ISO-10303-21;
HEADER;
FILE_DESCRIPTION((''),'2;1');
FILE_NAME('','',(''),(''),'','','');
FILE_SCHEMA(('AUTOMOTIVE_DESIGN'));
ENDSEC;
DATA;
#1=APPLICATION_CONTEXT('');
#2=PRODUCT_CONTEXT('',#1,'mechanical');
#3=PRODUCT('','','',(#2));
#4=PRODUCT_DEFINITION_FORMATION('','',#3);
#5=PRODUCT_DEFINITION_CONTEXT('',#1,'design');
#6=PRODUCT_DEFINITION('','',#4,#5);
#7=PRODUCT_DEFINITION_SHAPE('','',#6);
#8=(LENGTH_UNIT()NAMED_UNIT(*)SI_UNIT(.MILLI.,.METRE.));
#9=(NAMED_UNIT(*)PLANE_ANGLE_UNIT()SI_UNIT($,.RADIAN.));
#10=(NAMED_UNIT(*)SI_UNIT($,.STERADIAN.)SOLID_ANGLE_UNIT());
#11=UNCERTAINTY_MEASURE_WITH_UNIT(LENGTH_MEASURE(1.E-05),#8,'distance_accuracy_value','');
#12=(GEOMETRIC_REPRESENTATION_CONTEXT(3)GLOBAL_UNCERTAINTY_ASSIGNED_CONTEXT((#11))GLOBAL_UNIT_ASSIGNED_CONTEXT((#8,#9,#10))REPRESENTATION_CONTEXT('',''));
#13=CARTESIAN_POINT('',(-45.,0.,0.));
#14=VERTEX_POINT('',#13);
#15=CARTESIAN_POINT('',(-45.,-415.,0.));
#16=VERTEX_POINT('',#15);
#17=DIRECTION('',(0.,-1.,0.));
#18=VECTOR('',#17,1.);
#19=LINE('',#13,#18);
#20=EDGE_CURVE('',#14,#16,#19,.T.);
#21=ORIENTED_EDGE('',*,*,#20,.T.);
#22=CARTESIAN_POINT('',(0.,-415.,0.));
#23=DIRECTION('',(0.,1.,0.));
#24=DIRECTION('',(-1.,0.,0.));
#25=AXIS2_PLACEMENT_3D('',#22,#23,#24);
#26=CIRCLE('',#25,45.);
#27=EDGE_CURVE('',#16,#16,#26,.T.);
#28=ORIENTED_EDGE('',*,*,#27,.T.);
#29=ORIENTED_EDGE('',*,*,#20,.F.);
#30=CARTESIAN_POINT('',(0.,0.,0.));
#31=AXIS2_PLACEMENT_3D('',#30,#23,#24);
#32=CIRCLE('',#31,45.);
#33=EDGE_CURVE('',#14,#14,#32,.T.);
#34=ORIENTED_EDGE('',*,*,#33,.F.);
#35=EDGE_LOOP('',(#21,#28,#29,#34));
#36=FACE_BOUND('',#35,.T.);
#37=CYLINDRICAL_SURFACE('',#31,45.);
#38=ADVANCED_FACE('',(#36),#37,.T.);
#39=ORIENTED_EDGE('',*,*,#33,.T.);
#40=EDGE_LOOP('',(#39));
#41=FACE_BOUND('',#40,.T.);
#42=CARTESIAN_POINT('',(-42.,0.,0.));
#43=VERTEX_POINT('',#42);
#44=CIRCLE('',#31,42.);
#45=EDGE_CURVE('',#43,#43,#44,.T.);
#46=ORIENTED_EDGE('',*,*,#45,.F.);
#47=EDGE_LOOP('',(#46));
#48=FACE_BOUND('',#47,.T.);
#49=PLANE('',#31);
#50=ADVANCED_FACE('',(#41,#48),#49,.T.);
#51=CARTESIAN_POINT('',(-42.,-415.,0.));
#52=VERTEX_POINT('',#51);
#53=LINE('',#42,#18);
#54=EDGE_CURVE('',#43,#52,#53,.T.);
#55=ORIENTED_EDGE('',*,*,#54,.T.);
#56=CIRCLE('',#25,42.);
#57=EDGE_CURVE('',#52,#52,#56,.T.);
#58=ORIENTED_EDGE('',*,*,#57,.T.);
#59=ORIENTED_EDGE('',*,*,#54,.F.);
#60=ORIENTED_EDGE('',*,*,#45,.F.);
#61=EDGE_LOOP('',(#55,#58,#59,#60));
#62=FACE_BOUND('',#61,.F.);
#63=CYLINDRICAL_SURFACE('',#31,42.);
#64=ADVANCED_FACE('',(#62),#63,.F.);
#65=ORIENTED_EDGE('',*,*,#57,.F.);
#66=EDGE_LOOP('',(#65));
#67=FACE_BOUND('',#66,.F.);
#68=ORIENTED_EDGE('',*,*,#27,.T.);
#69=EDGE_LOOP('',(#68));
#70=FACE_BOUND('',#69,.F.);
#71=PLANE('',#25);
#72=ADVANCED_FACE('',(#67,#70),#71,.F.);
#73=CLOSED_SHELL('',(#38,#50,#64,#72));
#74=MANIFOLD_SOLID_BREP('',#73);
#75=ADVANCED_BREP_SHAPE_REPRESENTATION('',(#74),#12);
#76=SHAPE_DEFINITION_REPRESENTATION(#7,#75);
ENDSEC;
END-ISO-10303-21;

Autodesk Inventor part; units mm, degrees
ref_plane "YZ Plane" through (0, 0, 0) normal (1, 0, 0) x (0, 1, 0)
ref_plane "XZ Plane" through (0, 0, 0) normal (0, 1, 0) x (-1, 0, 0)
ref_plane "XY Plane" through (0, 0, 0) normal (0, 0, 1) x (1, 0, 0)
sketch "Sketch1" plane through (0, 0, 0) normal (0, 1, 0) x (-1, 0, 0)
  circle A0 centre (0, 0) radius 45
  circle A1 centre (0, 0) radius 42
  dimension "d0" = 90
  dimension "d1" = 3
extrude "Extrusion1" add sketch "Sketch1" against normal blind 415
properties part number "PNS 655 FDS940 tube 5"
